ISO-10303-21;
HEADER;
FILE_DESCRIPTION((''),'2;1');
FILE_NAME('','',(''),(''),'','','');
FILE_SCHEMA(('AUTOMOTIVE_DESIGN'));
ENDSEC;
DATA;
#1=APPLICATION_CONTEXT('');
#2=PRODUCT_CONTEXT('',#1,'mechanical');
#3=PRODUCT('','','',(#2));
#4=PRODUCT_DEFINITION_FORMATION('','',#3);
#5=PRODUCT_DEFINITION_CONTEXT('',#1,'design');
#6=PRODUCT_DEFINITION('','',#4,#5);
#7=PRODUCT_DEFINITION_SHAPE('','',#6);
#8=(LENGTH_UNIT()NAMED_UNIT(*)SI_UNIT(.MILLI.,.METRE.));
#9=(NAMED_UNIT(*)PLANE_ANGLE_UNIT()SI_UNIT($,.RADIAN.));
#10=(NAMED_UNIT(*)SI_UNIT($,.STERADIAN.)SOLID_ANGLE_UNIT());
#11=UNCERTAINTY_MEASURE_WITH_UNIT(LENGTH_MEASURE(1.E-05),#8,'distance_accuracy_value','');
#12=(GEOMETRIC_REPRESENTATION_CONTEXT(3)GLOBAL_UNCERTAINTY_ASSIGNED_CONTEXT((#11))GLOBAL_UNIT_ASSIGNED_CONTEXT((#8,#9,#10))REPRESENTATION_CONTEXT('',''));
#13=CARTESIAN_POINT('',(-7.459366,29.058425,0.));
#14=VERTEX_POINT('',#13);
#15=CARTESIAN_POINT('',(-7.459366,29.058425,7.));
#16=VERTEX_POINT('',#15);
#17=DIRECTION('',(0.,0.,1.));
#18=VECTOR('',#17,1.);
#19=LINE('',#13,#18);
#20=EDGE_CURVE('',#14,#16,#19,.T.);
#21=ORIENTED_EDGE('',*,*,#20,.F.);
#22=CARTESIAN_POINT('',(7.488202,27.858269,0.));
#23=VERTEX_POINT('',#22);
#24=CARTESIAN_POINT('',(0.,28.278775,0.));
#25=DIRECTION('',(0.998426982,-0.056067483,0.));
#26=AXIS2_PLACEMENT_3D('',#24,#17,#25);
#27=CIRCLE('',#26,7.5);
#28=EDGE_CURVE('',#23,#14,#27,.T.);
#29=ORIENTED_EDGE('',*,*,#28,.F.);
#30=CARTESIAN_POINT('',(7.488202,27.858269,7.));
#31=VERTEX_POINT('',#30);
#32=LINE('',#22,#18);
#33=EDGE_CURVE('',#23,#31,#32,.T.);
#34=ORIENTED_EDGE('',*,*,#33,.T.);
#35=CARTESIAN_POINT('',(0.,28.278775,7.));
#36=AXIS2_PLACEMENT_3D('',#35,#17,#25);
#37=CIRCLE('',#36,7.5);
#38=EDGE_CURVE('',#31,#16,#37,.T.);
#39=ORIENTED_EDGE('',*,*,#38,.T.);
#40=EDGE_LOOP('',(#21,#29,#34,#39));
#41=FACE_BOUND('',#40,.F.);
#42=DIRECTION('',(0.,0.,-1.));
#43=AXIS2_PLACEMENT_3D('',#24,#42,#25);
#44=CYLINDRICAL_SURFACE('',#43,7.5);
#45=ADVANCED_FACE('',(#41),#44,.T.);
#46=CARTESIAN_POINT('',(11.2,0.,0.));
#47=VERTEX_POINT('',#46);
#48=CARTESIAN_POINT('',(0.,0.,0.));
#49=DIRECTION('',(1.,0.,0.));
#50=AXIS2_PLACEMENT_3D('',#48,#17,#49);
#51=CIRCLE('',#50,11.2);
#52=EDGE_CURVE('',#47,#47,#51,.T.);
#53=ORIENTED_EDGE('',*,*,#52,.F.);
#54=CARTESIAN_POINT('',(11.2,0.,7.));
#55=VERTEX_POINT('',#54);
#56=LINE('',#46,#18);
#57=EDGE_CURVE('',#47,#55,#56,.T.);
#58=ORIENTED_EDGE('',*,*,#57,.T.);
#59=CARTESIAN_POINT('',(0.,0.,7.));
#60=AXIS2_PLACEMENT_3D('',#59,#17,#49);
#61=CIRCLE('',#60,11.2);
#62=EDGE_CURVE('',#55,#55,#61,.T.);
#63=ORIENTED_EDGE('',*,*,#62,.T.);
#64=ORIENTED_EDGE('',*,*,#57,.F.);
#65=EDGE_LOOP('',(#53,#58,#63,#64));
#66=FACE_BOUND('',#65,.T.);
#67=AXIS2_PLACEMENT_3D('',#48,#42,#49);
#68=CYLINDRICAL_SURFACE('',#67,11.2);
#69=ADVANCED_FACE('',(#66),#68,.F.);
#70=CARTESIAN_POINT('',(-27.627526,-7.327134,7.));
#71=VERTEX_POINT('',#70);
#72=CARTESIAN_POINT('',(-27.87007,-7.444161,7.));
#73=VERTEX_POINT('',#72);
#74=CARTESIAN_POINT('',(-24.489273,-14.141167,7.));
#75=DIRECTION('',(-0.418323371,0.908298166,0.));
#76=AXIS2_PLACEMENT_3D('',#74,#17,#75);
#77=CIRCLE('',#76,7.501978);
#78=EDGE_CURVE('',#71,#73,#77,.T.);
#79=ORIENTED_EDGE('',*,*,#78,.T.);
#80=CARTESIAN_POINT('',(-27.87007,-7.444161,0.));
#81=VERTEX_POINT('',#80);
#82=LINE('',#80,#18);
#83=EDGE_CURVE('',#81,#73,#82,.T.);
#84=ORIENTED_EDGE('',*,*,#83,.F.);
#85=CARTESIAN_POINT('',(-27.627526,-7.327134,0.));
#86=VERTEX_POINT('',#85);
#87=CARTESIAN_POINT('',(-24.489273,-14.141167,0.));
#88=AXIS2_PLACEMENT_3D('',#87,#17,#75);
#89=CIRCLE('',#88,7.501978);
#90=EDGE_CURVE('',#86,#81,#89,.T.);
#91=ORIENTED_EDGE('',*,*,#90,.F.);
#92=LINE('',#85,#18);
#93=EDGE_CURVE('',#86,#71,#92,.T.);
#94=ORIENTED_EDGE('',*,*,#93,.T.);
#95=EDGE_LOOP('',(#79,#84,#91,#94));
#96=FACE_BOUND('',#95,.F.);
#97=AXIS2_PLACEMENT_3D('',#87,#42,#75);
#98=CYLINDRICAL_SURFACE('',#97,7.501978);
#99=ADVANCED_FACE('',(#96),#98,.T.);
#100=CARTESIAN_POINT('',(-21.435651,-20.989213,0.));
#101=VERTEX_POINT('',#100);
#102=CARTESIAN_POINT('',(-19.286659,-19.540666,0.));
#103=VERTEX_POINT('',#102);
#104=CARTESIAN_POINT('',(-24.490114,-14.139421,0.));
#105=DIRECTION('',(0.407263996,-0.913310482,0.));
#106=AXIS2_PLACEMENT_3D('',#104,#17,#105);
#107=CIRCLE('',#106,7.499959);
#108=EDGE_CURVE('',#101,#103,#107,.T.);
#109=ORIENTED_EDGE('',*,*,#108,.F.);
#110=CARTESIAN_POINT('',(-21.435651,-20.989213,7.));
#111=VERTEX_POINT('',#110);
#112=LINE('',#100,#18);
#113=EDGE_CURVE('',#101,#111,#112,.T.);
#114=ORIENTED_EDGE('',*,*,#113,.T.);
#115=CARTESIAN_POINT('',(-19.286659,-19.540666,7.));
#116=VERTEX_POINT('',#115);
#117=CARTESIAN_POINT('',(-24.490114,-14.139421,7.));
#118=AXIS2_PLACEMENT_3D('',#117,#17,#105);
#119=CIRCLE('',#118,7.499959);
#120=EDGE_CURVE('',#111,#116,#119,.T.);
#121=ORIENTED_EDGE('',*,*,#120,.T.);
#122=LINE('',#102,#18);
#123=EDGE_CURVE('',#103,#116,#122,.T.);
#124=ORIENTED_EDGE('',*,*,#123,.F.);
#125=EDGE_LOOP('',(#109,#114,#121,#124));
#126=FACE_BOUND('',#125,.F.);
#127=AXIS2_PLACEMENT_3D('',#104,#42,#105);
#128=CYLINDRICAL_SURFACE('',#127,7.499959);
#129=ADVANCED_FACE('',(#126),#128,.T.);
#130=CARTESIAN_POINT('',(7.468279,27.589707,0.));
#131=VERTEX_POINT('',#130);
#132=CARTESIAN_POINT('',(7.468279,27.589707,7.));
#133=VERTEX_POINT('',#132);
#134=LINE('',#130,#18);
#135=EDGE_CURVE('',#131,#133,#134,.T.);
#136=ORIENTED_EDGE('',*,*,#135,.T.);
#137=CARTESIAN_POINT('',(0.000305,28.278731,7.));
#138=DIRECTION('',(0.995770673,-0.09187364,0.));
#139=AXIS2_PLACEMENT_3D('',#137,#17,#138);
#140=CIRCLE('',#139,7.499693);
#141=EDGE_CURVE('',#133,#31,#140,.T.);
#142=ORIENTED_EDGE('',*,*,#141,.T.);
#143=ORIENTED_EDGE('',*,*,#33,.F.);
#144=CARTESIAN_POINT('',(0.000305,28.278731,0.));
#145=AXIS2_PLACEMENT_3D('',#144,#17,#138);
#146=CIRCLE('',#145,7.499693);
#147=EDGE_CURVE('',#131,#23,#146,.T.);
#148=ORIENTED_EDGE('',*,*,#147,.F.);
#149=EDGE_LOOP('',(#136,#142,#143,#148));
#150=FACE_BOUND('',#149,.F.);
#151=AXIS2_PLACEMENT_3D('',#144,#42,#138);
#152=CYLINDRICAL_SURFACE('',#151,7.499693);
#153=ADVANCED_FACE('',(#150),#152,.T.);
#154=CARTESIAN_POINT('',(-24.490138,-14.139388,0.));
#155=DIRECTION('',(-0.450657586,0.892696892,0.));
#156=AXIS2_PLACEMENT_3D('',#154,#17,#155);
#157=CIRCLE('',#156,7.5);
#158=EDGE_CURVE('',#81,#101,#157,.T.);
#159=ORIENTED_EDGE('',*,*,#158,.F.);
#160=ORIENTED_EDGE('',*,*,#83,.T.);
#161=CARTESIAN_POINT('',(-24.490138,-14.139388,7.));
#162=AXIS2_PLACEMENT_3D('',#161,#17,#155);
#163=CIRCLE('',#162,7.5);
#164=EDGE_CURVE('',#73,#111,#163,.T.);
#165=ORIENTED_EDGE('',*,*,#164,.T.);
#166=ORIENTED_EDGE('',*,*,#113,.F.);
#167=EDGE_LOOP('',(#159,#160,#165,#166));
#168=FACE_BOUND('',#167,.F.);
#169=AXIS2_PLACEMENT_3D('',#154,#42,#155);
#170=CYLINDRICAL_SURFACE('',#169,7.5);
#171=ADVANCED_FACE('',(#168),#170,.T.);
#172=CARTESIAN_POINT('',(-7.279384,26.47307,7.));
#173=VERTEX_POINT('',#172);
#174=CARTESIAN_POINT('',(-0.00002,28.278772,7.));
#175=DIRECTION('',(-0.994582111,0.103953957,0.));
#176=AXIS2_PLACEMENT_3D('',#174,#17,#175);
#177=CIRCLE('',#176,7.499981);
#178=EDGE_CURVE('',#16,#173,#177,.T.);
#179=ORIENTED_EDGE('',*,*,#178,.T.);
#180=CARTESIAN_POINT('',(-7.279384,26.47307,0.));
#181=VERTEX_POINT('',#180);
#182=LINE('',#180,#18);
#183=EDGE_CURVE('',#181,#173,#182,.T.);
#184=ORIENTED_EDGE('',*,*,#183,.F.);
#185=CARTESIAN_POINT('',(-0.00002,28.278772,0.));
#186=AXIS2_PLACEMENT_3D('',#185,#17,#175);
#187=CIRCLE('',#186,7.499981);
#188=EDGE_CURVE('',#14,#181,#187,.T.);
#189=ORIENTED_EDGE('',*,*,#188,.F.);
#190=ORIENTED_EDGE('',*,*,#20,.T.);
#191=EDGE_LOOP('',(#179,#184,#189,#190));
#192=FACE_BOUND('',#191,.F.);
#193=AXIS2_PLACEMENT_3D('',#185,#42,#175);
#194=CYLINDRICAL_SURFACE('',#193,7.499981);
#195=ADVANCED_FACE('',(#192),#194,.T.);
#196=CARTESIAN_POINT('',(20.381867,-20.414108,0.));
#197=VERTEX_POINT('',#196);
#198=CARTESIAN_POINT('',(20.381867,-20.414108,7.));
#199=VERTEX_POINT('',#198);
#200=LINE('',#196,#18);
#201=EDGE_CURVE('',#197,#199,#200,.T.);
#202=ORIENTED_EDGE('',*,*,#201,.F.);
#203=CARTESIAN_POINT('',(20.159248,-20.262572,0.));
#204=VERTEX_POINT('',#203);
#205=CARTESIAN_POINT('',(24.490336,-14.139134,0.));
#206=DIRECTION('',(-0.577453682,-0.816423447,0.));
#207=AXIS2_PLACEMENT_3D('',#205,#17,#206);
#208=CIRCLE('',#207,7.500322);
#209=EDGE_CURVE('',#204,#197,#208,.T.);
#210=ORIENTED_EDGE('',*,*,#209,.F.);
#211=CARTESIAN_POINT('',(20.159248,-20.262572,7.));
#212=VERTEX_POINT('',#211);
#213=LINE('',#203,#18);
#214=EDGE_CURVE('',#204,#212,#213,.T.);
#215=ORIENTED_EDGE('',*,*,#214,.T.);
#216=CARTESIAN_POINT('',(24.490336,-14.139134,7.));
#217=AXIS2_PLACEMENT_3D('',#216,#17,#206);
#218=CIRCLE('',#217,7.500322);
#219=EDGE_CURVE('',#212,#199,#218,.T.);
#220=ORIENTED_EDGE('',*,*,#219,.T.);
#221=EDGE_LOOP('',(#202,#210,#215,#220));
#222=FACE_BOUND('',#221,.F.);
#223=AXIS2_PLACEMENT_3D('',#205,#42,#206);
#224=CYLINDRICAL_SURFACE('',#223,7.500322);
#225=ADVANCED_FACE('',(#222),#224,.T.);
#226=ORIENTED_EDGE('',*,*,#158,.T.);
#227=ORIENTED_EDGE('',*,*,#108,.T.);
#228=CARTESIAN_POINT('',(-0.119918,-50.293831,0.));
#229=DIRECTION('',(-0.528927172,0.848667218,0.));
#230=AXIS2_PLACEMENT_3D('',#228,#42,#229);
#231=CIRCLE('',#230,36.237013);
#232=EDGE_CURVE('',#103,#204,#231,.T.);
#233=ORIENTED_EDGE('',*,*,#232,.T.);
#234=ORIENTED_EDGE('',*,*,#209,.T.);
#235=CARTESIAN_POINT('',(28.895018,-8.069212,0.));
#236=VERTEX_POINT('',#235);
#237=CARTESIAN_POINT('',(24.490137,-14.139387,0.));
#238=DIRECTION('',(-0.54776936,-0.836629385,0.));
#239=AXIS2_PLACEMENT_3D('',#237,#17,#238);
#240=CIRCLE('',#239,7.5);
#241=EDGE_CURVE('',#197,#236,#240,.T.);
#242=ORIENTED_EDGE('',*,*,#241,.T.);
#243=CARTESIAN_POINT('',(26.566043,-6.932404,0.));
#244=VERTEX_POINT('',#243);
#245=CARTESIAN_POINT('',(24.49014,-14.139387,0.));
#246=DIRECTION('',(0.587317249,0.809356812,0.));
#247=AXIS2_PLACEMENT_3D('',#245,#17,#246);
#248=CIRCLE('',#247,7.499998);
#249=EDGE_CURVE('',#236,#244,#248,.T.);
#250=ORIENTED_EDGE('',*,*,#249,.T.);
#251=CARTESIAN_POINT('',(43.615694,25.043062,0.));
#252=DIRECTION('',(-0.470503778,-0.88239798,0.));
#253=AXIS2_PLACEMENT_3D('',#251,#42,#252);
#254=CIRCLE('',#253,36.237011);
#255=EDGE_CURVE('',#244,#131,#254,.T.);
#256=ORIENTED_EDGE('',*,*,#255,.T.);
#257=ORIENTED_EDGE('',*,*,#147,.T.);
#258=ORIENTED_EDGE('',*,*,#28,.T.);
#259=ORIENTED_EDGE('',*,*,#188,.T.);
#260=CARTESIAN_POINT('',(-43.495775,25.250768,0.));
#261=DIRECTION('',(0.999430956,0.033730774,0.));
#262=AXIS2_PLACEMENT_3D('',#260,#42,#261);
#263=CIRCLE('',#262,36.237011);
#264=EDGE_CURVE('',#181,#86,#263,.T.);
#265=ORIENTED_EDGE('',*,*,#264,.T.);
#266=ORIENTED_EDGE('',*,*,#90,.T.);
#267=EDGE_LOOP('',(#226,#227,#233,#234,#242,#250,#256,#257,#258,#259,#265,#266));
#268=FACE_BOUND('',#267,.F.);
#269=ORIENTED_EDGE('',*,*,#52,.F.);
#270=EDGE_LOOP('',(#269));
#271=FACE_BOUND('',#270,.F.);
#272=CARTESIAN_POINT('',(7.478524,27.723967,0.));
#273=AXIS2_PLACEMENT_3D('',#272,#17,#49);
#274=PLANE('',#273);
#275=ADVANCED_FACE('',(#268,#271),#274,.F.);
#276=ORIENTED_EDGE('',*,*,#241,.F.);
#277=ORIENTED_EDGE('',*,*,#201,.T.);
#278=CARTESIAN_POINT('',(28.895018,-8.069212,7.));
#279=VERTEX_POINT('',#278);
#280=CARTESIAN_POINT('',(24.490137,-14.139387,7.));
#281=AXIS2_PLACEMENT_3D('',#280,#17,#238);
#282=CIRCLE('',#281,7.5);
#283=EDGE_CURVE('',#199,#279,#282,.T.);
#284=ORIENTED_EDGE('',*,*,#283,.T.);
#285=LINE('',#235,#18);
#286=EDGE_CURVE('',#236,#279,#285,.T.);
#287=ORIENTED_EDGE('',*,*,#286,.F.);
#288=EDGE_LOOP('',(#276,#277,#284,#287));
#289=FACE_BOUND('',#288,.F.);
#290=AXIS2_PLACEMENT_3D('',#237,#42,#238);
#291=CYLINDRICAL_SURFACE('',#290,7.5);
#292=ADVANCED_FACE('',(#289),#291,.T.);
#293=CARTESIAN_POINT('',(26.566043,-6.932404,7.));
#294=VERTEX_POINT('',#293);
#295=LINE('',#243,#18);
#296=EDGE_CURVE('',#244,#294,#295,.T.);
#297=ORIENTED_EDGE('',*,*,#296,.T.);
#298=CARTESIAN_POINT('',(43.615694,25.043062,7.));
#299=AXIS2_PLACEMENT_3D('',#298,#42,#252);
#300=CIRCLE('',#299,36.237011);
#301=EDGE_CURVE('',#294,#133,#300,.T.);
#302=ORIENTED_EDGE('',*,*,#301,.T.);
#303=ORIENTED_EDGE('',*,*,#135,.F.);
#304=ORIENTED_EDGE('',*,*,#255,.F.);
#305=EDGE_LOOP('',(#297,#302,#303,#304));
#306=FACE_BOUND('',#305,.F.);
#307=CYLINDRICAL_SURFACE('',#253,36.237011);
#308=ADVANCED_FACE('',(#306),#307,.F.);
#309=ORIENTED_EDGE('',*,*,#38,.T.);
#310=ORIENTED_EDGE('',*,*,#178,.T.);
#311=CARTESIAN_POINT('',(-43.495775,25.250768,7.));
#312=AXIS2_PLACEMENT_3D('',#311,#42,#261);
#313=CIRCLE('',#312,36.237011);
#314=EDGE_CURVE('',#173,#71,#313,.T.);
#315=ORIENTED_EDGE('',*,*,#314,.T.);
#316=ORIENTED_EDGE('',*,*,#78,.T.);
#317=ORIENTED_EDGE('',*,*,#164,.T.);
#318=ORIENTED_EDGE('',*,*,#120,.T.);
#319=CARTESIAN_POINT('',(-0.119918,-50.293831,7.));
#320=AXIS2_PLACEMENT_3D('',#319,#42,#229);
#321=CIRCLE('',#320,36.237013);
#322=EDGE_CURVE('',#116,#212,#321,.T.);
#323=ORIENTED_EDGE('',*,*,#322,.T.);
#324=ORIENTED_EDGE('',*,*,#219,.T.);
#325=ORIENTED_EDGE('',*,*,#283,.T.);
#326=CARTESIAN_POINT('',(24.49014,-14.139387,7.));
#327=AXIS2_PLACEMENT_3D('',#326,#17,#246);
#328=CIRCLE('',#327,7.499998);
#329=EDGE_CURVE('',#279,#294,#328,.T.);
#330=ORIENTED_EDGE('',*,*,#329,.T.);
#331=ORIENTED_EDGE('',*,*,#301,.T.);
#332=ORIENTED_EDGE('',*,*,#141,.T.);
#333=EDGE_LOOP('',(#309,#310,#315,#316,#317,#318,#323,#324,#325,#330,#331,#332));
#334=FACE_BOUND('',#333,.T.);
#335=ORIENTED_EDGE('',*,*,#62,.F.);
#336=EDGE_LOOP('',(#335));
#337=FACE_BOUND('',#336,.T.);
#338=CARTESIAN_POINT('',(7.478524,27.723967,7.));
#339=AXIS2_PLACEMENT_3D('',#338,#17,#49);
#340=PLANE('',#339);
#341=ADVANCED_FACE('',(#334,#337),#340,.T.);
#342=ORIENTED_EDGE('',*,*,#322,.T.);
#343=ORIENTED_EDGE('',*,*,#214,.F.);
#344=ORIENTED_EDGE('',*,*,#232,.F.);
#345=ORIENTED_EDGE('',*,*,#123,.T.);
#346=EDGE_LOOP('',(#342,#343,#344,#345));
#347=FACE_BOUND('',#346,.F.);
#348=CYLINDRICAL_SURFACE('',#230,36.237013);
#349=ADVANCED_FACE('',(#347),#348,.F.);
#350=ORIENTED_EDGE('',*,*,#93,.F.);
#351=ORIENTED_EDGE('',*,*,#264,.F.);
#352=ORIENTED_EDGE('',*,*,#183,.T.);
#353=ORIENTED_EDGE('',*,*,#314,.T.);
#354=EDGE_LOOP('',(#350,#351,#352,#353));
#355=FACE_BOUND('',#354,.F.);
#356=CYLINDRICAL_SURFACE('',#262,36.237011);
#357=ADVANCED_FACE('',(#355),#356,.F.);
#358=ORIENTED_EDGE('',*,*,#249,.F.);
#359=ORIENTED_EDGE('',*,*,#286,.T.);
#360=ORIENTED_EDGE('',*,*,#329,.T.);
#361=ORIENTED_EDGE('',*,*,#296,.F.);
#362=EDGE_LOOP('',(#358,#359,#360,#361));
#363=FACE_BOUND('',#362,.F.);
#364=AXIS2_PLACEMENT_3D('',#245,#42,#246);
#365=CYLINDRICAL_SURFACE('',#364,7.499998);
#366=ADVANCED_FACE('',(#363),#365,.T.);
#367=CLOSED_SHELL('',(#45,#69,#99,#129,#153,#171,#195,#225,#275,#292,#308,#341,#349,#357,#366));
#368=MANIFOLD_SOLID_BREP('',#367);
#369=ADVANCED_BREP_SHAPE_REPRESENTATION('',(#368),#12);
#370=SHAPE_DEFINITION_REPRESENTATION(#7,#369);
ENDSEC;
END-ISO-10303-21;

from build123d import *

# Parameters (mm, degrees)
F0_R     = 11.2
F1_DEPTH = 7


with BuildPart() as f1:
    # F0 (on Top) → F1 (new body)
    with BuildSketch(Plane.XY):
        with BuildLine():
            ThreePointArc((7.488202, 27.858269), (7.477991, 27.724006), (7.468279, 27.589707))
            ThreePointArc((7.468279, 27.589707), (7.479446, 27.723898), (7.488202, 27.858269))
        make_face()
        with BuildLine():
            ThreePointArc((26.566043, -6.932404), (11.907241, 7.501824), (7.468279, 27.589707))
            ThreePointArc((7.468279, 27.589707), (7.477991, 27.724006), (7.488202, 27.858269))
            ThreePointArc((7.488202, 27.858269), (0.600252, 35.754716), (-7.459366, 29.058425))
            ThreePointArc((-7.459366, 29.058425), (-7.346255, 27.767357), (-7.279384, 26.47307))
            ThreePointArc((-7.279384, 26.47307), (-12.450391, 6.561061), (-27.627526, -7.327134))
            ThreePointArc((-27.627526, -7.327134), (-27.748689, -7.385873), (-27.87007, -7.444161))
            ThreePointArc((-27.87007, -7.444161), (-31.264619, -17.357525), (-21.435651, -20.989213))
            ThreePointArc((-21.435651, -20.989213), (-20.374109, -20.245722), (-19.286659, -19.540666))
            ThreePointArc((-19.286659, -19.540666), (0.54315, -14.062885), (20.159248, -20.262572))
            ThreePointArc((20.159248, -20.262572), (20.270698, -20.338133), (20.381867, -20.414108))
            ThreePointArc((20.381867, -20.414108), (30.664367, -18.397191), (28.895018, -8.069212))
            ThreePointArc((28.895018, -8.069212), (27.720364, -7.521635), (26.566043, -6.932404))
        make_face()
        Circle(F0_R, mode=Mode.SUBTRACT)
        with BuildLine():
            ThreePointArc((28.895018, -8.069212), (27.780005, -7.399449), (26.566043, -6.932404))
            ThreePointArc((26.566043, -6.932404), (27.720364, -7.521635), (28.895018, -8.069212))
        make_face()
        with BuildLine():
            ThreePointArc((-7.279384, 26.47307), (-7.346255, 27.767357), (-7.459366, 29.058425))
            ThreePointArc((-7.459366, 29.058425), (-7.481892, 27.757915), (-7.279384, 26.47307))
        make_face()
        with BuildLine():
            ThreePointArc((20.159248, -20.262572), (20.269877, -20.339339), (20.381867, -20.414108))
            ThreePointArc((20.381867, -20.414108), (20.270698, -20.338133), (20.159248, -20.262572))
        make_face()
        with BuildLine():
            ThreePointArc((-27.87007, -7.444161), (-27.748689, -7.385873), (-27.627526, -7.327134))
            ThreePointArc((-27.627526, -7.327134), (-27.749323, -7.384559), (-27.87007, -7.444161))
        make_face()
        with BuildLine():
            ThreePointArc((-21.435651, -20.989213), (-20.298113, -20.358466), (-19.286659, -19.540666))
            ThreePointArc((-19.286659, -19.540666), (-20.374109, -20.245722), (-21.435651, -20.989213))
        make_face()
    extrude(amount=F1_DEPTH)


solid = f1.part
